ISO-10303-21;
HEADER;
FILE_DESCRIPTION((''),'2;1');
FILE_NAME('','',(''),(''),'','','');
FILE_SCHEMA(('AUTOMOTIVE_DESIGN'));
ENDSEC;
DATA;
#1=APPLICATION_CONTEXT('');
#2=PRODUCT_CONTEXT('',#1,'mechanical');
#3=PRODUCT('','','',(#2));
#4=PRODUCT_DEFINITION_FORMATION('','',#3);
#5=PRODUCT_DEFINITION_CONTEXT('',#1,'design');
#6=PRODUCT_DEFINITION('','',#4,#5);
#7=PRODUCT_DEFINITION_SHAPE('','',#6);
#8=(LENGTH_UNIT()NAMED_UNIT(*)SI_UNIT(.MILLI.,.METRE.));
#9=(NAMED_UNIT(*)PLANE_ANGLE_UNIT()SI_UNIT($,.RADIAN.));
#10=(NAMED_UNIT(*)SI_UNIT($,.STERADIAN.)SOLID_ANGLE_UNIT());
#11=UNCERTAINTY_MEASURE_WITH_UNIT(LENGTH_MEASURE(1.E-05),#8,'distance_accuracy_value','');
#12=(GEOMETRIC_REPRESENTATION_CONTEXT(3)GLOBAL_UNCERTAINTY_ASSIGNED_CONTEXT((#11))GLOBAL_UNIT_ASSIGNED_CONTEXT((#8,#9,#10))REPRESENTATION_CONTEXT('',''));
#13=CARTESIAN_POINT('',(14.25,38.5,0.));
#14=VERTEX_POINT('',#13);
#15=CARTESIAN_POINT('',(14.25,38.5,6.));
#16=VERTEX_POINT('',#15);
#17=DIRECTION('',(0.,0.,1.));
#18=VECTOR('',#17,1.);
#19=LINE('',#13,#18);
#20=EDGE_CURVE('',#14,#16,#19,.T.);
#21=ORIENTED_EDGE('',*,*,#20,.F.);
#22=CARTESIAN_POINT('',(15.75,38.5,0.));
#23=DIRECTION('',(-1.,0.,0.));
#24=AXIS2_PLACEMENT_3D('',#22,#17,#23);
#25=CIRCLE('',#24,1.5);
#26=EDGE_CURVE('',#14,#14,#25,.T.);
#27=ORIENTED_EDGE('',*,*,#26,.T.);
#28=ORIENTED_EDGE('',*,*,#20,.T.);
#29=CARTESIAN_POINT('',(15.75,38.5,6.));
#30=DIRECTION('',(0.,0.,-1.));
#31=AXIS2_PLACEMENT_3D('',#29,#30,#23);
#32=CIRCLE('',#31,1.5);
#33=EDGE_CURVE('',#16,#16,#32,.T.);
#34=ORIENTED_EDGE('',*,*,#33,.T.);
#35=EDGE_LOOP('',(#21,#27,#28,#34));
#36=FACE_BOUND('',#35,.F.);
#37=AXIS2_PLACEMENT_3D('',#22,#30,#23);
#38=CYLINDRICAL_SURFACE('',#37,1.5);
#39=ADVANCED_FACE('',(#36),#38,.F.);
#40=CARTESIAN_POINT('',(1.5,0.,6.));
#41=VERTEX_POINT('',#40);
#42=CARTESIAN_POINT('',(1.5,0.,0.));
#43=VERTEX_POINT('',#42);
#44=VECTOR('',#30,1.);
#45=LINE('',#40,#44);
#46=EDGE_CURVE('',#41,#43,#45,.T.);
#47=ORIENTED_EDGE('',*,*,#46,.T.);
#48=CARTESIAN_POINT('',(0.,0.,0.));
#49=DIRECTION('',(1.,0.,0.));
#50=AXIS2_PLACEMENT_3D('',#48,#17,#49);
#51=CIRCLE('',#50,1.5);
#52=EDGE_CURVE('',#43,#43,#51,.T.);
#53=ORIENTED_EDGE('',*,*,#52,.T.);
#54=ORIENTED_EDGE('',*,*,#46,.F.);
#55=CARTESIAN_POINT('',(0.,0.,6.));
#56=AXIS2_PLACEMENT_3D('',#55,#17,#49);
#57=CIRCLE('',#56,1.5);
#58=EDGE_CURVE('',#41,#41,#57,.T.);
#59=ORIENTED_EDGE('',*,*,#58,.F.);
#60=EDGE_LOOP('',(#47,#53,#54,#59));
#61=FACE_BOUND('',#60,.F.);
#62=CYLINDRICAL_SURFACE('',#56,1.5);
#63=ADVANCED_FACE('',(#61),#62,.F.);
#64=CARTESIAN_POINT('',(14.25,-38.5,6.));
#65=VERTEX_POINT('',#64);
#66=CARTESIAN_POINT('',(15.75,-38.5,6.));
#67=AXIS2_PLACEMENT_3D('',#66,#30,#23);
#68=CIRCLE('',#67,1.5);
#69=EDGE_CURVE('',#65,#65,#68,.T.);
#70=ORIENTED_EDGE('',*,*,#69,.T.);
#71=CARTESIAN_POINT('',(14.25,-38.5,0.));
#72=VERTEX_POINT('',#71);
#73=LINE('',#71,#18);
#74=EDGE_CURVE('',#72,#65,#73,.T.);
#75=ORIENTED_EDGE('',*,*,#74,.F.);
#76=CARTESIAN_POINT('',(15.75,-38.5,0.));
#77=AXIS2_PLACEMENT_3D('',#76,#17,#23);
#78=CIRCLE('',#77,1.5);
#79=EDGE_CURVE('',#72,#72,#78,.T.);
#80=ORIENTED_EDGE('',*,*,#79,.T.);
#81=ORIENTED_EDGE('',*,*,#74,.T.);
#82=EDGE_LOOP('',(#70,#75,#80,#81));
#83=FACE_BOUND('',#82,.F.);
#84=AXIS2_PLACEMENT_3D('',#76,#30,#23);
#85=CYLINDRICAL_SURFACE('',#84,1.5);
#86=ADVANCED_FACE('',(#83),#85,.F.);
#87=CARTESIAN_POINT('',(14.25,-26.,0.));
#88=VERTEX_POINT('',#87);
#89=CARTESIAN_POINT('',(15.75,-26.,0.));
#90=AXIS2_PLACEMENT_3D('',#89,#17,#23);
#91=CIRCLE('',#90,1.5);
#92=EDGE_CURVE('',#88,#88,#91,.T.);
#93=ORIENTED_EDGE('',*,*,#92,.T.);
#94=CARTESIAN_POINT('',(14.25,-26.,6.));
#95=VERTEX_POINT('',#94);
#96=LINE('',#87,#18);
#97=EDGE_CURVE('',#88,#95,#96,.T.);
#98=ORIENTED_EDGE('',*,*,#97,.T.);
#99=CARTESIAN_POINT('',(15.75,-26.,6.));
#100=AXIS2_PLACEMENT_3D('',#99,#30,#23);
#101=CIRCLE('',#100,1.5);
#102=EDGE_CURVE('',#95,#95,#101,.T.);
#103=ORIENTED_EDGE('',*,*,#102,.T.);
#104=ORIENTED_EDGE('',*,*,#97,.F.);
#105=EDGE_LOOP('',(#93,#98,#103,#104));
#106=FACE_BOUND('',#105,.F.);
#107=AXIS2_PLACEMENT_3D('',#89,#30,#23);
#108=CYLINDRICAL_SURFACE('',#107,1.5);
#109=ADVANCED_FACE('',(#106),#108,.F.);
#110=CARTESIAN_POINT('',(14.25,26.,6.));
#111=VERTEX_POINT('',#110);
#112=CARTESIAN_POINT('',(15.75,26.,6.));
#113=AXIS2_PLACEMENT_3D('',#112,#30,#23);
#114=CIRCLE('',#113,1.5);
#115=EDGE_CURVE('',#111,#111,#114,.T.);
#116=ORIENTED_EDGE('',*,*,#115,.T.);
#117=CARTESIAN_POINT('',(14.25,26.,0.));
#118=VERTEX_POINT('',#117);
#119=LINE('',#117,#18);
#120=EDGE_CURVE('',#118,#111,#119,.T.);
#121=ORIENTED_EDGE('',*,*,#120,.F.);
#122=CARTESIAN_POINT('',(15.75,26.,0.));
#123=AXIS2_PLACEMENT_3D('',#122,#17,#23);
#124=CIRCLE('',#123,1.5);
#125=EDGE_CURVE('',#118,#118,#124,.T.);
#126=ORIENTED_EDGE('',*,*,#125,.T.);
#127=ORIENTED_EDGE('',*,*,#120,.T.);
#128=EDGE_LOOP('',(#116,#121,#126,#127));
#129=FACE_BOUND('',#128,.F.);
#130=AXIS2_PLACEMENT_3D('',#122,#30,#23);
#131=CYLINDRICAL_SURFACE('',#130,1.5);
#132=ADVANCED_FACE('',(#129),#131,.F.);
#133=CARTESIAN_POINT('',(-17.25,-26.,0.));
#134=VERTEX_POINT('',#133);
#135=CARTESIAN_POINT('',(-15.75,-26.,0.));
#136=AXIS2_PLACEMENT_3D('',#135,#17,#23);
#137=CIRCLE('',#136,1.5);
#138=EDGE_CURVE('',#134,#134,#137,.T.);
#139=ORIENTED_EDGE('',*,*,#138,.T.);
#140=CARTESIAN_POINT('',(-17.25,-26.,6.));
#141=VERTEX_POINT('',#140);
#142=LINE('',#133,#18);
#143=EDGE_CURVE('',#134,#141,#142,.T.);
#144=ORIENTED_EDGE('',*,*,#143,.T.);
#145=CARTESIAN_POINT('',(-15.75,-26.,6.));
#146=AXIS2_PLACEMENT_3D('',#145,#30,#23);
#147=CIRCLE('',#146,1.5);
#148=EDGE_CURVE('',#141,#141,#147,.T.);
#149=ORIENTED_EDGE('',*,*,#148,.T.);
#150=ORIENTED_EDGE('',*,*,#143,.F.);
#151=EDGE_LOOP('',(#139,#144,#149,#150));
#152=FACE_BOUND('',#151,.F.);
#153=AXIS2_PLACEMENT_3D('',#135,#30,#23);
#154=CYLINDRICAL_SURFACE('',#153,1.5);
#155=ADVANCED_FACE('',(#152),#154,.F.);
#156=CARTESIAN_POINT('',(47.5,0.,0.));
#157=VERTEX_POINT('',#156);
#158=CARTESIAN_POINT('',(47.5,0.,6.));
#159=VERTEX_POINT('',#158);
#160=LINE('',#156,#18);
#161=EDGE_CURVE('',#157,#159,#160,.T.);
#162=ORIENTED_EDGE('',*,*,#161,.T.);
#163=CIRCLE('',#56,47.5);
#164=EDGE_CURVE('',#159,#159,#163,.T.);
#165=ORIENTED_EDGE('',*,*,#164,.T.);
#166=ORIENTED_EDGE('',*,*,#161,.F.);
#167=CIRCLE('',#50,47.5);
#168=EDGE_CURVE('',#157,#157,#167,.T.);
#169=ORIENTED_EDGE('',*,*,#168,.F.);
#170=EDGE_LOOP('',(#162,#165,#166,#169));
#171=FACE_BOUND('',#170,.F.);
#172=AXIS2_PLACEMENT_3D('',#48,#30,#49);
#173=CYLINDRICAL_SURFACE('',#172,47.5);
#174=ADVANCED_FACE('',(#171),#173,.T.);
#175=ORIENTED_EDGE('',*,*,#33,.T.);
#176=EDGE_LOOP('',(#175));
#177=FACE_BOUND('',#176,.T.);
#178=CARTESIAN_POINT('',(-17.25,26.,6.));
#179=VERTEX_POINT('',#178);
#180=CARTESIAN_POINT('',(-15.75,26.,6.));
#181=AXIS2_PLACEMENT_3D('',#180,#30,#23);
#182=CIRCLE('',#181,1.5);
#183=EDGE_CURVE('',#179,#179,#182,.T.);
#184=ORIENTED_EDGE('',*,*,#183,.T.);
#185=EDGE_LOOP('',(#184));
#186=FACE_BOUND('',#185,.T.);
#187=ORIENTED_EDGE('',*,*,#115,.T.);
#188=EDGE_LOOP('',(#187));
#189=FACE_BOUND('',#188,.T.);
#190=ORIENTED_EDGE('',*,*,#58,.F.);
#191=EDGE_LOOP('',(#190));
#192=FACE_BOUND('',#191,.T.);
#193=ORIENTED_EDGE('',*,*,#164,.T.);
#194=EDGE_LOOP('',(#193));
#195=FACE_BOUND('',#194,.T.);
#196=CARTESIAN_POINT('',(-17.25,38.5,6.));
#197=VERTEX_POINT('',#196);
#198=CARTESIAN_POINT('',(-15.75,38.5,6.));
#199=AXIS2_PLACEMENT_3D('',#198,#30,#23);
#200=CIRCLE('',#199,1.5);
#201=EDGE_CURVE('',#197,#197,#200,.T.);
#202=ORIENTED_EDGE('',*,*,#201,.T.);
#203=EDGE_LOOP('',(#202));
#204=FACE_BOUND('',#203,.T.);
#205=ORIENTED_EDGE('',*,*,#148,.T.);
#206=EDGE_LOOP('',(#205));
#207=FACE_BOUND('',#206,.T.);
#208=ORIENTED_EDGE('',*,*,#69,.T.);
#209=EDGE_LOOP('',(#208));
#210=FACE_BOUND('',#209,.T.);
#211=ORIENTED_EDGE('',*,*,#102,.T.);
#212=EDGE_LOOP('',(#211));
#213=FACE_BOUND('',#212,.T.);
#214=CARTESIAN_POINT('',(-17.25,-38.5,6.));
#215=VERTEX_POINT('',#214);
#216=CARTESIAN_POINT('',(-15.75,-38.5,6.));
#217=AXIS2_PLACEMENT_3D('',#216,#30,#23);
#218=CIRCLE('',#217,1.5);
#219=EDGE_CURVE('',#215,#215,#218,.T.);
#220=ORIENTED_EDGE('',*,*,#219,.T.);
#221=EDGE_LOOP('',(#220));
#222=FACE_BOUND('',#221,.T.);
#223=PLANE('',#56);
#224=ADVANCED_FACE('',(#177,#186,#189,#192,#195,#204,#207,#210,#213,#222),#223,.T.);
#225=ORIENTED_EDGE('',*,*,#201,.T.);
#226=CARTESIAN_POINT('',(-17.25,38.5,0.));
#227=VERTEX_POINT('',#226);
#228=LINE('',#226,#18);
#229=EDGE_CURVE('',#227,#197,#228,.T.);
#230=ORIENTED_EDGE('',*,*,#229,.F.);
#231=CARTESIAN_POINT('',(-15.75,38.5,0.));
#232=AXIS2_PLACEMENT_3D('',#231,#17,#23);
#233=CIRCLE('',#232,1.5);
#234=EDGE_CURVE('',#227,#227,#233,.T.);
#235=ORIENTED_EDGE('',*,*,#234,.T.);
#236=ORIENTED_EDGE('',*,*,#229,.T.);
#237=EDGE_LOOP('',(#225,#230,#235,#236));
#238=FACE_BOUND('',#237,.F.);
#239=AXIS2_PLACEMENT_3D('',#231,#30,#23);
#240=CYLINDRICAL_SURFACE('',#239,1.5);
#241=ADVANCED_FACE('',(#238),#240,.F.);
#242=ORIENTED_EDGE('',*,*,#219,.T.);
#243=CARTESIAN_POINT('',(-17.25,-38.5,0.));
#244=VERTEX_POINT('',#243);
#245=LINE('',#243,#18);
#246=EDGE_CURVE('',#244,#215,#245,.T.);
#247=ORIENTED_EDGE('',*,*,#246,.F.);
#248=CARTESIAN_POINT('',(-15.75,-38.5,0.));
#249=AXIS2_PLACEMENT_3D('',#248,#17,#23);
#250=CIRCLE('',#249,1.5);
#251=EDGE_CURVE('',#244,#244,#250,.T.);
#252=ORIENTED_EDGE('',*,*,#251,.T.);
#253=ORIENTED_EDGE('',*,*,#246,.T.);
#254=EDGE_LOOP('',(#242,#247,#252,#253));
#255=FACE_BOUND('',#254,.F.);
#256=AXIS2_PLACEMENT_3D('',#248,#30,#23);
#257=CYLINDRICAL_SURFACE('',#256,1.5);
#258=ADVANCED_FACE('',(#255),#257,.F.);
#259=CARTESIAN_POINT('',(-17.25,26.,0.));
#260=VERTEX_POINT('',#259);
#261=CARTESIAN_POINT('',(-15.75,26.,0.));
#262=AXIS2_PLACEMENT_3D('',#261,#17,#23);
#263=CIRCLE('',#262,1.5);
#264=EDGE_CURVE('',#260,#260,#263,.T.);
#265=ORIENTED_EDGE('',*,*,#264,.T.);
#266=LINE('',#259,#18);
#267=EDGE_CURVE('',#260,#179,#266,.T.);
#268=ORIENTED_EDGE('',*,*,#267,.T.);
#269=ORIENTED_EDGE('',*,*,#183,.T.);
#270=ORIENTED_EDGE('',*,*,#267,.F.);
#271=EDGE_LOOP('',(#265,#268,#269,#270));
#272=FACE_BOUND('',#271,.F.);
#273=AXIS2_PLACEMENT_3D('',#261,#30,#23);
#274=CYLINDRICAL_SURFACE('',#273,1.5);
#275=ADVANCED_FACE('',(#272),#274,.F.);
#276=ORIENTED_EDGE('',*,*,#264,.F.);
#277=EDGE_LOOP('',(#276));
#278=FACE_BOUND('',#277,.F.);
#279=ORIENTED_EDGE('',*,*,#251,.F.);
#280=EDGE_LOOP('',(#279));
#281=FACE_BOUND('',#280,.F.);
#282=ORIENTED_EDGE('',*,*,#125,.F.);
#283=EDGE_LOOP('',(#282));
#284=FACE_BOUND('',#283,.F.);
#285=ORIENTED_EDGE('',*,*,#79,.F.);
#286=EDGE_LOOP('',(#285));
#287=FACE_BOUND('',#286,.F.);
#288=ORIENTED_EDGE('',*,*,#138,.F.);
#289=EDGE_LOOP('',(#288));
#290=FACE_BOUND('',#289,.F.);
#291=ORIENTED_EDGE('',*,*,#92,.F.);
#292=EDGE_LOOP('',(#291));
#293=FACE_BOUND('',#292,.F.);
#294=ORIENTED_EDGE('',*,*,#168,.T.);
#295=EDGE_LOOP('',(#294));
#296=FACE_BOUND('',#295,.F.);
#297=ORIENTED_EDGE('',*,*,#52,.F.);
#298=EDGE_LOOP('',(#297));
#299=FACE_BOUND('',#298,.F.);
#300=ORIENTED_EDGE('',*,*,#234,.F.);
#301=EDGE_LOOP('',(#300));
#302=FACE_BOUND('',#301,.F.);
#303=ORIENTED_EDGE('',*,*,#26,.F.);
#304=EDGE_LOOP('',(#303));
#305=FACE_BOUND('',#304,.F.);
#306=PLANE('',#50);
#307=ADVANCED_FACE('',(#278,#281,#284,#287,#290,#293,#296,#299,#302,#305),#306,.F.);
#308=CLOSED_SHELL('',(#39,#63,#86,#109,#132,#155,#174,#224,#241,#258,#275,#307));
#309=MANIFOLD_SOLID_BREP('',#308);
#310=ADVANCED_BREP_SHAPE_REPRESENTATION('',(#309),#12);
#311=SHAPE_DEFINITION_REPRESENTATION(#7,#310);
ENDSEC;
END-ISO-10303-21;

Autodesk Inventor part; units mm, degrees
ref_plane "YZ Plane" through (0, 0, 0) normal (1, 0, 0) x (0, 1, 0)
ref_plane "XZ Plane" through (0, 0, 0) normal (0, 1, 0) x (-1, 0, 0)
ref_plane "XY Plane" through (0, 0, 0) normal (0, 0, 1) x (1, 0, 0)
sketch "Sketch1" plane through (0, 0, 0) normal (0, 0, 1) x (1, 0, 0)
  circle A0 centre (0, 0) radius 47.5
  dimension "d0" = 95
extrude "Extrusion1" add sketch "Sketch1" along normal blind 6
sketch "Sketch12" plane through (0, 0, 0) normal (0, 0, -1) x (-1, 0, 0)
  line L0 (15.75, 36.5709) -> (15.75, -44.8128)
  circle A0 centre (0, 0) radius 47.5 projected
  line L1 (-15.75, 36.5709) -> (-15.75, -44.8128)
  line L2 (-15.75, 36.5709) -> (-15.75, 44.8128)
  line L3 (15.75, 36.5709) -> (15.75, 45.8997)
  line L4 (0, 0) -> (0, 26)
  line L5 (0, 26) -> (0, -26)
  line L6 (0, -26) -> (15.75, -26)
  line L7 (-15.75, -26) -> (0, -26)
  line L8 (0, 26) -> (15.75, 26)
  line L9 (-15.75, 26) -> (0, 26)
  circle A1 centre (-15.75, 26) radius 1.5
  circle A2 centre (15.75, 26) radius 1.5
  circle A3 centre (15.75, -26) radius 1.5
  circle A4 centre (-15.75, -26) radius 1.5
  line L10 (-15.75, 26) -> (-15.75, 38.5)
  line L11 (-15.75, 38.5) -> (15.75, 38.5)
  circle A5 centre (-15.75, 38.5) radius 1.5
  circle A6 centre (15.75, 38.5) radius 1.5
  line L12 (-15.75, -26) -> (-15.75, -38.5)
  line L13 (-15.75, -38.5) -> (15.75, -38.5)
  circle A7 centre (15.75, -38.5) radius 1.5
  circle A8 centre (-15.75, -38.5) radius 1.5
extrude "Extrusion2" cut sketch "Sketch12" against normal blind 10 contours A2 L0 | L0 L8 A2 | A6 L11 L3 | L3 A6 | L0 A2 L8 | L11 A6 L3 | A5 L2 L11 | L11 L2 A5 | A3 L0 | L0 L6 A3 | A1 L1 L9 | L9 L1 A1 | L2 A5 | L0 A3 L6 | L1 A1 | A4 L1 L7 | L7 L1 A4 | L1 A4 | A7 L0 | L0 L13 A7 | A7 L13 L0 | A8 L1 | L1 L13 A8 | A8 L13 L1
sketch "Sketch14" plane through (0, 0, 6) normal (0, 0, 1) x (1, 0, 0)
  point P0 (0, 0)
sketch "Sketch15" plane through (0, 0, 6) normal (0, 0, 1) x (1, 0, 0)
  circle A0 centre (0, 0) radius 1.5
  dimension "d22" = 3
extrude "Extrusion4" cut sketch "Sketch15" against normal blind 10
properties part number "podstawa"
